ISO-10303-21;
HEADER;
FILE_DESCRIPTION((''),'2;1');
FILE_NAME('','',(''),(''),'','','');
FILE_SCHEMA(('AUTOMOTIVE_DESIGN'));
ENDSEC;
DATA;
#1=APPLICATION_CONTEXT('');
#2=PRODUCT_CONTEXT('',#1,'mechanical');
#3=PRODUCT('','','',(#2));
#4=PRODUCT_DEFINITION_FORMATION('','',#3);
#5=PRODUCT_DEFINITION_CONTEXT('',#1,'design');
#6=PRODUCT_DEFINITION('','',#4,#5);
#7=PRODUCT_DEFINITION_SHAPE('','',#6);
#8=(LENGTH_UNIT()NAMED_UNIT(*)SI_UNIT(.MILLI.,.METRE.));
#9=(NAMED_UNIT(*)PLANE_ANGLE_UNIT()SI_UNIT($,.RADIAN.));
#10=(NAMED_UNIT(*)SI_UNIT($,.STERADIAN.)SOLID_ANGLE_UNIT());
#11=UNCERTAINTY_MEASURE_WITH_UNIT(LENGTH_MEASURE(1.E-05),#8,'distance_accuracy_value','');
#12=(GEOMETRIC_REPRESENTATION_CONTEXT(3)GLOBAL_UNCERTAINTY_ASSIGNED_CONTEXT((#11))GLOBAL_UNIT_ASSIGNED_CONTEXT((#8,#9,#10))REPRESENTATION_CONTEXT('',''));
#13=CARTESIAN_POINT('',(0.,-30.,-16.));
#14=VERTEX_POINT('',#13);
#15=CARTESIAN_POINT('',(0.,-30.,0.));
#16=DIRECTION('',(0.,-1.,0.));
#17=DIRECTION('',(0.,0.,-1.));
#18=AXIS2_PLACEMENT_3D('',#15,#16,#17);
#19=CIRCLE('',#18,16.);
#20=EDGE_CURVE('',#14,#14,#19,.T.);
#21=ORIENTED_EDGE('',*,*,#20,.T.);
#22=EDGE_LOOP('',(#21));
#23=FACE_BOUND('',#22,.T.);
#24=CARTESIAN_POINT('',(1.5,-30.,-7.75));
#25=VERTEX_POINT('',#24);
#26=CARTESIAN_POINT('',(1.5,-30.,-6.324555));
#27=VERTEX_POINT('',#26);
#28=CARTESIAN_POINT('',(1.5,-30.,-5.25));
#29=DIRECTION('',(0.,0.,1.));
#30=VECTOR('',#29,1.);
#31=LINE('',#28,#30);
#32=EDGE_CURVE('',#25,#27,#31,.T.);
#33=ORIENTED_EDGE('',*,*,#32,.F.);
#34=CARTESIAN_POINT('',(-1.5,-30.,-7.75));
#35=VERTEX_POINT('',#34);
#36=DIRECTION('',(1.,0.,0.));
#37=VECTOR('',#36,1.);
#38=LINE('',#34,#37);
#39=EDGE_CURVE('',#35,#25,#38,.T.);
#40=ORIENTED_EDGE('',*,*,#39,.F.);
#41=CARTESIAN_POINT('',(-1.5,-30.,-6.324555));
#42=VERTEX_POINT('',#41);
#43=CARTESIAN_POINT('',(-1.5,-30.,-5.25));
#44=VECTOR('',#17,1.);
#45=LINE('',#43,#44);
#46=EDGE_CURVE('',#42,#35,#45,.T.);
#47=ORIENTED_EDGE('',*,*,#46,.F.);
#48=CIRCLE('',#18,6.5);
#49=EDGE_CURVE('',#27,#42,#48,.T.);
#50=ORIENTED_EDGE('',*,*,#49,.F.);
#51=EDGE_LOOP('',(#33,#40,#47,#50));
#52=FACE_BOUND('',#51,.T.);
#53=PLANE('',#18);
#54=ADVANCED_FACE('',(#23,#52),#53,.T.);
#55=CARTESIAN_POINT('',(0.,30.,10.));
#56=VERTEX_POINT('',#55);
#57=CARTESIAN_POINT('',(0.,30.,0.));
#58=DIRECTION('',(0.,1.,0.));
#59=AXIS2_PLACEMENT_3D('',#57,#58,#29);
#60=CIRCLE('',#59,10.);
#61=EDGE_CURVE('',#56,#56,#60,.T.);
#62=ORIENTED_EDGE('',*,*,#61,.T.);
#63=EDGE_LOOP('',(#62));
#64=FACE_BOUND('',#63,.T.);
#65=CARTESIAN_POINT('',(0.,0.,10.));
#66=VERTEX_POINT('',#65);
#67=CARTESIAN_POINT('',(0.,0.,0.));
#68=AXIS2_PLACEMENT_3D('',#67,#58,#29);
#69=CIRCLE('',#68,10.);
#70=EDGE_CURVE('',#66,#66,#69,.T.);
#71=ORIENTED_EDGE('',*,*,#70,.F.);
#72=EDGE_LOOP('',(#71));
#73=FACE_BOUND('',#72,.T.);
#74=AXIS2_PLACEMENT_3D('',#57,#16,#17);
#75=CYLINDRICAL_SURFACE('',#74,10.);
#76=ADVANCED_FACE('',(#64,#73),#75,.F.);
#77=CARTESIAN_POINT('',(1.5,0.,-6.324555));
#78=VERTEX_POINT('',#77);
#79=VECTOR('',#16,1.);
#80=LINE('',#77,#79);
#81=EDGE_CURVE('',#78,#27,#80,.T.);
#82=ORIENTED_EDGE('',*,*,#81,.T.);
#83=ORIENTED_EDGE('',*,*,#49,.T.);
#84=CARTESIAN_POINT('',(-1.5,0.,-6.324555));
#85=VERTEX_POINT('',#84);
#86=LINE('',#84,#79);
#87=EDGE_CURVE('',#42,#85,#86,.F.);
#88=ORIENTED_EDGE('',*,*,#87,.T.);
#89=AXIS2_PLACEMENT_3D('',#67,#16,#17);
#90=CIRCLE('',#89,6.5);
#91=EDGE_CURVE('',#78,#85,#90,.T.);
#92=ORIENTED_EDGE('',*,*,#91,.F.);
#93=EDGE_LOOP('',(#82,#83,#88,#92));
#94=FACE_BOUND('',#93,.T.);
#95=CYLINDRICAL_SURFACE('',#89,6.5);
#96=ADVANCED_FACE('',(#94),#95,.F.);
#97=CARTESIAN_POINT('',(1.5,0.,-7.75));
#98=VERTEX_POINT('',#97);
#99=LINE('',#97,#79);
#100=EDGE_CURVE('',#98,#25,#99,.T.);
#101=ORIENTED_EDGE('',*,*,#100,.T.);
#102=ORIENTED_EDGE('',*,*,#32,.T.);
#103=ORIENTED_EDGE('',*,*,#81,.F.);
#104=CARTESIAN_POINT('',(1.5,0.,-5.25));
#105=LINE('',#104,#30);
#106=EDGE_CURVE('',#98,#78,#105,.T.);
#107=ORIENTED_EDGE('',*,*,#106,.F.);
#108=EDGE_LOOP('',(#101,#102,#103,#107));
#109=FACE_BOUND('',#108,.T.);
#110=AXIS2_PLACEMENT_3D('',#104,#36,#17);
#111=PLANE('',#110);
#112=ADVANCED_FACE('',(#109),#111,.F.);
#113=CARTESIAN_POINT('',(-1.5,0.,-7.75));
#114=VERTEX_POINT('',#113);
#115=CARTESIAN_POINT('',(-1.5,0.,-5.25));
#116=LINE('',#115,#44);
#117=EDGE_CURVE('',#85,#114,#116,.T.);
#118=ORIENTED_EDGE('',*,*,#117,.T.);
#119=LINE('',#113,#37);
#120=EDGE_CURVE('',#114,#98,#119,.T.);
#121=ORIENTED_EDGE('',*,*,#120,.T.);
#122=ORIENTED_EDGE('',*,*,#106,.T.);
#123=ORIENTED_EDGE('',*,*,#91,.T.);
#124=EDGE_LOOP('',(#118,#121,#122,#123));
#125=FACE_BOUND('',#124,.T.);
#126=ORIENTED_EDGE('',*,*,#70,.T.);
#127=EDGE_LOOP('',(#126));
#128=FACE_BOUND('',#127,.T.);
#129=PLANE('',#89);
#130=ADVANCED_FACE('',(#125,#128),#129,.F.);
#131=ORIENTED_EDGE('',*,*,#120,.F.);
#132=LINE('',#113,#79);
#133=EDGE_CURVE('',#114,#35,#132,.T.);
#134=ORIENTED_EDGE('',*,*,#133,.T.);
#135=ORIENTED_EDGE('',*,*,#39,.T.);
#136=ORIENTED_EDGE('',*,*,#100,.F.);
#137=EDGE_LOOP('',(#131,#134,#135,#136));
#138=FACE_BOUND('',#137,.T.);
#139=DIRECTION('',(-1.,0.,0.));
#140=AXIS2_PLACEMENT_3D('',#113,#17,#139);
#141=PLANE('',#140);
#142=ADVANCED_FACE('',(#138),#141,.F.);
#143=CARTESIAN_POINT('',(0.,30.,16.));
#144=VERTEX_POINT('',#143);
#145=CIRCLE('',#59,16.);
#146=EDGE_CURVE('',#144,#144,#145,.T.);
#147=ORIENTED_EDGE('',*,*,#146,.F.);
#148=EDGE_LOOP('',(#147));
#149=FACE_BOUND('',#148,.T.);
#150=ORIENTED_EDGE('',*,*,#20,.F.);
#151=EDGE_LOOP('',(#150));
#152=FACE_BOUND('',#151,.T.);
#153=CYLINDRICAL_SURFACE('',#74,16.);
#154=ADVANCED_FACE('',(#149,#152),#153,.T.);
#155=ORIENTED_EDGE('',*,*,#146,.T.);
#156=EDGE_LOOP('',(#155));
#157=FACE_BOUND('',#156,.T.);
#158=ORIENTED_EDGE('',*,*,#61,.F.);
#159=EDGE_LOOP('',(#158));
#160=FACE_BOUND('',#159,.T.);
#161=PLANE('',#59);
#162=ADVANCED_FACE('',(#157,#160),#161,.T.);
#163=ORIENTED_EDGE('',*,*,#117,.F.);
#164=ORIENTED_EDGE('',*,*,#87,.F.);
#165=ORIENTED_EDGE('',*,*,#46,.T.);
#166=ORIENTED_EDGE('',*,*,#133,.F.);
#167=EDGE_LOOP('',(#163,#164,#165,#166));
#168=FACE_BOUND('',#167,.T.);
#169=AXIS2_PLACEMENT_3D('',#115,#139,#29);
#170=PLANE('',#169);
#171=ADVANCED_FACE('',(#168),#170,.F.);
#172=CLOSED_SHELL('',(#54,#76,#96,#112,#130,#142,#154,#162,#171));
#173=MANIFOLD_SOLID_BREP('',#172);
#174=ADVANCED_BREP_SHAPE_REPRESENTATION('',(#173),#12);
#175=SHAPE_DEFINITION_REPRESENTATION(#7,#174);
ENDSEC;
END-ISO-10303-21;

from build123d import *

# Parameters (mm, degrees)
SKETCH1_R           = 16
SKETCH1_R_2         = 10
BOSS_EXTRUDE1_DEPTH = 30
BOSS_EXTRUDE2_START = 30
SKETCH2_R           = 16
BOSS_EXTRUDE2_DEPTH = 30
SKETCH3_R           = 6.5
CUT_EXTRUDE1_DEPTH  = 30
SKETCH4_W           = 3
SKETCH4_H           = 2.5
CUT_EXTRUDE2_DEPTH  = 30


with BuildPart() as part:
    # Sketch1 → Boss-Extrude1 (new body)
    with BuildSketch(Plane(origin=(0, 0, 0), x_dir=(1, 0, 0), z_dir=(0, 1, 0))):
        with Locations(Location((0, 0, 0), (0, 0, 270))):
            Circle(SKETCH1_R)
        with Locations(Location((0, 0, 0), (0, 0, 270))):
            Circle(SKETCH1_R_2, mode=Mode.SUBTRACT)
    extrude(amount=BOSS_EXTRUDE1_DEPTH)

    # Sketch2 → Boss-Extrude2 (add)
    with BuildSketch(Plane.XZ.offset(BOSS_EXTRUDE2_START)):
        with Locations(Location((0, 0, 0), (0, 0, 270))):
            Circle(SKETCH2_R)
    extrude(amount=-BOSS_EXTRUDE2_DEPTH)

    # Sketch3 → Cut-Extrude1 (cut)
    with BuildSketch(Plane.XZ.offset(30)):
        with Locations(Location((0, 0, 0), (0, 0, 270))):
            Circle(SKETCH3_R)
    extrude(amount=-CUT_EXTRUDE1_DEPTH, mode=Mode.SUBTRACT)

    # Sketch4 → Cut-Extrude2 (cut)
    with BuildSketch(Plane.XZ.offset(30)):
        with Locations((0, -6.5)):
            Rectangle(SKETCH4_W, SKETCH4_H)
    extrude(amount=-CUT_EXTRUDE2_DEPTH, mode=Mode.SUBTRACT)


solid = part.part
